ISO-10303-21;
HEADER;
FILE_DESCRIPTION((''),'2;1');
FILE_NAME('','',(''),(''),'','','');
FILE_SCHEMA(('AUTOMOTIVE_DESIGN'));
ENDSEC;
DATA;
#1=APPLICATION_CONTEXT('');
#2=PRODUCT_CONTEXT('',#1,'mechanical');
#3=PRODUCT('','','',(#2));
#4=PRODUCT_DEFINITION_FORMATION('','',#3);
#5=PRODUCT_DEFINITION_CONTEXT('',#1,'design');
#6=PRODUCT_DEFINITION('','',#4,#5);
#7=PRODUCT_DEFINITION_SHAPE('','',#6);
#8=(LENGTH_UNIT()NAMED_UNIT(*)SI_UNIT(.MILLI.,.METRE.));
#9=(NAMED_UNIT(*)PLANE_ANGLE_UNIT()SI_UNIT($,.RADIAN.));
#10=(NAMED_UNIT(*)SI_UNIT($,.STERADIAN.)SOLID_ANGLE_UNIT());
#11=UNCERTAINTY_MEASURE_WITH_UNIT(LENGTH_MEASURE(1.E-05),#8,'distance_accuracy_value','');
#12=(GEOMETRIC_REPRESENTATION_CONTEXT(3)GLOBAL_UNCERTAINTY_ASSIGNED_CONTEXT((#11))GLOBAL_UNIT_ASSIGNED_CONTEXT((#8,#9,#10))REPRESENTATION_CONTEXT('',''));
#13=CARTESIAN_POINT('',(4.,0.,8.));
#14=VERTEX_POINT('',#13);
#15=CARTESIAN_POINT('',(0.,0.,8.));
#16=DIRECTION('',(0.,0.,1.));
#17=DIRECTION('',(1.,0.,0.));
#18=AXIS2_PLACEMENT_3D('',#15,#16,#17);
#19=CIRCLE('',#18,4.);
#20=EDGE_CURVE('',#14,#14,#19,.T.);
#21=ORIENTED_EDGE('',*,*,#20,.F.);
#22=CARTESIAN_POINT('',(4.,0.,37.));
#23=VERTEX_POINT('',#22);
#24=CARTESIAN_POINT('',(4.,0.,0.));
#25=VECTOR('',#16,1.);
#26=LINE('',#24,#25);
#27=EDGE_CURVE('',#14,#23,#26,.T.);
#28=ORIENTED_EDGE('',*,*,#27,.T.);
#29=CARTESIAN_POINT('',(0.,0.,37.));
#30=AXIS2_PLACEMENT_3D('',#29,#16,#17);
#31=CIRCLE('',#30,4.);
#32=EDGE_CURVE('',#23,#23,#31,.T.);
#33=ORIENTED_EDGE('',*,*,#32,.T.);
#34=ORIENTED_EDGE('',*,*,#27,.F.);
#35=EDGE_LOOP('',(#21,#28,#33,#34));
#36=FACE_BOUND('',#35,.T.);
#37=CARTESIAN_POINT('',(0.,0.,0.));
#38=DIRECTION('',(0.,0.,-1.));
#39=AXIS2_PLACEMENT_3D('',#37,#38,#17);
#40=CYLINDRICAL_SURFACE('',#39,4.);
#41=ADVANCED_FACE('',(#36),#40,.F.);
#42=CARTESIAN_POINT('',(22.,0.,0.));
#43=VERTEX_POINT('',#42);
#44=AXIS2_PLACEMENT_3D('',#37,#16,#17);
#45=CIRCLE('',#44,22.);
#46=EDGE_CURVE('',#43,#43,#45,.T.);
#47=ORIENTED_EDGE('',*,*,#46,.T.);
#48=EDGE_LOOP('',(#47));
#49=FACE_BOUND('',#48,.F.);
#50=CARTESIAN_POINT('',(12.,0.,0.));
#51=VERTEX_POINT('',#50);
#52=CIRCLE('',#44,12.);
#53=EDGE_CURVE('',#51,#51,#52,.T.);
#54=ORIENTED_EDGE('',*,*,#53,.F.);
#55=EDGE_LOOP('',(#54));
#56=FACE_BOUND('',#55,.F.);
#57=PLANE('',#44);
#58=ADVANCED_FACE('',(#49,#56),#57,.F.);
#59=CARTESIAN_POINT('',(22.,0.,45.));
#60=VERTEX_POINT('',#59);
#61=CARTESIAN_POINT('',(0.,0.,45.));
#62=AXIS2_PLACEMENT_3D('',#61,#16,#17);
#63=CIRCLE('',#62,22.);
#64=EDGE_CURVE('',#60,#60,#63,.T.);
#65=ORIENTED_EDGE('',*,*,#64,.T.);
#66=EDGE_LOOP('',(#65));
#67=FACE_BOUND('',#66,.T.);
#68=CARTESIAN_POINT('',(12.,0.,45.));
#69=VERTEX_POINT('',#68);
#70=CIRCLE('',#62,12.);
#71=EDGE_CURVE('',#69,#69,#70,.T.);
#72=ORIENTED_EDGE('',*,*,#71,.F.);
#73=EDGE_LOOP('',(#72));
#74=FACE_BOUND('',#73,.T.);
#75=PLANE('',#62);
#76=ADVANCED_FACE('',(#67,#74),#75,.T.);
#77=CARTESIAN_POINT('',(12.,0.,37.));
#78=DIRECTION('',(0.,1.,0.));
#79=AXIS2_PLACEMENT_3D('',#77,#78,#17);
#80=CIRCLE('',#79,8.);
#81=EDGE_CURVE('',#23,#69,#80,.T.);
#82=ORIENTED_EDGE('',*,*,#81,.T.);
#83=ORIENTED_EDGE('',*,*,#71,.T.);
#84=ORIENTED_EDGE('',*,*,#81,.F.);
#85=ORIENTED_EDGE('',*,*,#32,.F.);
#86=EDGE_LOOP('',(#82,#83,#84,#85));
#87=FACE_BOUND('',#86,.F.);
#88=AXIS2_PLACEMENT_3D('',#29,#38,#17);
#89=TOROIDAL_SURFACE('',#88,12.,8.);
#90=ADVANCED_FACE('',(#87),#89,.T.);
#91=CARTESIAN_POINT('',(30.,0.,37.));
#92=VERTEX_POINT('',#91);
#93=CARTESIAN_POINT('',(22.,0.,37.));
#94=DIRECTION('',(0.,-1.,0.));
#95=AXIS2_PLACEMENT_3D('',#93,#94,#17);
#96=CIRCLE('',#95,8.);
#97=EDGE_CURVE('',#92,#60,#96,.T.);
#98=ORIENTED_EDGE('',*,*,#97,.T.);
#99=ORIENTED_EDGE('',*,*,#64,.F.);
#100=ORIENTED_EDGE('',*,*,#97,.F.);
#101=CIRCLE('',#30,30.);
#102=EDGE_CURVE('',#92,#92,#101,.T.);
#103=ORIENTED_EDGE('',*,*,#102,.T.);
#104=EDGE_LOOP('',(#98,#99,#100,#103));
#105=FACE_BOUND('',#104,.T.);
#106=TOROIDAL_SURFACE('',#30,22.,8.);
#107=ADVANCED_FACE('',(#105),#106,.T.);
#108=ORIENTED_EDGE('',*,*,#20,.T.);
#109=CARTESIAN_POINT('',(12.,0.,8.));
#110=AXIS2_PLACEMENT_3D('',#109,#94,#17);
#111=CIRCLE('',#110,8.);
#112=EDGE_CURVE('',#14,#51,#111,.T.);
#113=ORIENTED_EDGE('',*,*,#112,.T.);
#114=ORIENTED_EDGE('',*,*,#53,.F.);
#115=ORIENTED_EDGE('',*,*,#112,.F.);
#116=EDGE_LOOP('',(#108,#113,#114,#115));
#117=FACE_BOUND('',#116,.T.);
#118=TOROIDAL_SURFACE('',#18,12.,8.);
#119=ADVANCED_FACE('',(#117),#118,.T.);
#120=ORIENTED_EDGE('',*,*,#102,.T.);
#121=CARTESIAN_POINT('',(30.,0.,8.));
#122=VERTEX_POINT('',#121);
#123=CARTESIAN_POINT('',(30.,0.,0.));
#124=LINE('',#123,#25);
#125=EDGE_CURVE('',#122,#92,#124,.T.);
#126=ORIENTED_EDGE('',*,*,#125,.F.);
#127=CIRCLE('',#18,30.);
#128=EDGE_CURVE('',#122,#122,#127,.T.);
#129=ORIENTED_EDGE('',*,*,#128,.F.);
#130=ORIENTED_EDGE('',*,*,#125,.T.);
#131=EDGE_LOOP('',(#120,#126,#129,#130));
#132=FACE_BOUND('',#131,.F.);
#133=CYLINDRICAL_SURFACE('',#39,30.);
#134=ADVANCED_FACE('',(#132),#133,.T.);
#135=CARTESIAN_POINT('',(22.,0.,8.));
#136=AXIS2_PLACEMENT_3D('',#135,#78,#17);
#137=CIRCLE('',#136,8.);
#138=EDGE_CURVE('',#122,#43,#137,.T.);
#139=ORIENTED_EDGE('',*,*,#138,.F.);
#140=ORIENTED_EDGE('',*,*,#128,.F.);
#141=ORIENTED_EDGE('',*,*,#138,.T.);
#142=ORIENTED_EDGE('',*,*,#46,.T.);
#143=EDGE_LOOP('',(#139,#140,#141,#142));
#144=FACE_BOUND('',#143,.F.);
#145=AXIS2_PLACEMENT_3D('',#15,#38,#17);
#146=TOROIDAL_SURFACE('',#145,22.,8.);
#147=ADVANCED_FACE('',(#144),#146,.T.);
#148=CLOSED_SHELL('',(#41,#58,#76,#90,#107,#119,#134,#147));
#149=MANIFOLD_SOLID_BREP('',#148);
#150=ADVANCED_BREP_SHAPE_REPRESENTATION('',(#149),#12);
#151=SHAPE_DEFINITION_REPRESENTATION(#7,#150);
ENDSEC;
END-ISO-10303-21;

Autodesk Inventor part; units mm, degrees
ref_plane "YZ Plane" through (0, 0, 0) normal (1, 0, 0) x (0, 1, 0)
ref_plane "XZ Plane" through (0, 0, 0) normal (0, 1, 0) x (-1, 0, 0)
ref_plane "XY Plane" through (0, 0, 0) normal (0, 0, 1) x (1, 0, 0)
sketch "Sketch1" plane through (0, 0, 0) normal (0, 0, 1) x (1, 0, 0)
  circle A0 centre (0, 0) radius 30
  circle A1 centre (0, 0) radius 4
  dimension "d0" = 60
  dimension "d1" = 8
extrude "Extrusion1" add sketch "Sketch1" along normal blind 45
fillet "Fillet1" radius 8 4 edges at (-30, 0, 45) (-30, 0, 0) (-4, 0, 45) (-4, 0, 0)
properties part number "kólko od deskorolki"
